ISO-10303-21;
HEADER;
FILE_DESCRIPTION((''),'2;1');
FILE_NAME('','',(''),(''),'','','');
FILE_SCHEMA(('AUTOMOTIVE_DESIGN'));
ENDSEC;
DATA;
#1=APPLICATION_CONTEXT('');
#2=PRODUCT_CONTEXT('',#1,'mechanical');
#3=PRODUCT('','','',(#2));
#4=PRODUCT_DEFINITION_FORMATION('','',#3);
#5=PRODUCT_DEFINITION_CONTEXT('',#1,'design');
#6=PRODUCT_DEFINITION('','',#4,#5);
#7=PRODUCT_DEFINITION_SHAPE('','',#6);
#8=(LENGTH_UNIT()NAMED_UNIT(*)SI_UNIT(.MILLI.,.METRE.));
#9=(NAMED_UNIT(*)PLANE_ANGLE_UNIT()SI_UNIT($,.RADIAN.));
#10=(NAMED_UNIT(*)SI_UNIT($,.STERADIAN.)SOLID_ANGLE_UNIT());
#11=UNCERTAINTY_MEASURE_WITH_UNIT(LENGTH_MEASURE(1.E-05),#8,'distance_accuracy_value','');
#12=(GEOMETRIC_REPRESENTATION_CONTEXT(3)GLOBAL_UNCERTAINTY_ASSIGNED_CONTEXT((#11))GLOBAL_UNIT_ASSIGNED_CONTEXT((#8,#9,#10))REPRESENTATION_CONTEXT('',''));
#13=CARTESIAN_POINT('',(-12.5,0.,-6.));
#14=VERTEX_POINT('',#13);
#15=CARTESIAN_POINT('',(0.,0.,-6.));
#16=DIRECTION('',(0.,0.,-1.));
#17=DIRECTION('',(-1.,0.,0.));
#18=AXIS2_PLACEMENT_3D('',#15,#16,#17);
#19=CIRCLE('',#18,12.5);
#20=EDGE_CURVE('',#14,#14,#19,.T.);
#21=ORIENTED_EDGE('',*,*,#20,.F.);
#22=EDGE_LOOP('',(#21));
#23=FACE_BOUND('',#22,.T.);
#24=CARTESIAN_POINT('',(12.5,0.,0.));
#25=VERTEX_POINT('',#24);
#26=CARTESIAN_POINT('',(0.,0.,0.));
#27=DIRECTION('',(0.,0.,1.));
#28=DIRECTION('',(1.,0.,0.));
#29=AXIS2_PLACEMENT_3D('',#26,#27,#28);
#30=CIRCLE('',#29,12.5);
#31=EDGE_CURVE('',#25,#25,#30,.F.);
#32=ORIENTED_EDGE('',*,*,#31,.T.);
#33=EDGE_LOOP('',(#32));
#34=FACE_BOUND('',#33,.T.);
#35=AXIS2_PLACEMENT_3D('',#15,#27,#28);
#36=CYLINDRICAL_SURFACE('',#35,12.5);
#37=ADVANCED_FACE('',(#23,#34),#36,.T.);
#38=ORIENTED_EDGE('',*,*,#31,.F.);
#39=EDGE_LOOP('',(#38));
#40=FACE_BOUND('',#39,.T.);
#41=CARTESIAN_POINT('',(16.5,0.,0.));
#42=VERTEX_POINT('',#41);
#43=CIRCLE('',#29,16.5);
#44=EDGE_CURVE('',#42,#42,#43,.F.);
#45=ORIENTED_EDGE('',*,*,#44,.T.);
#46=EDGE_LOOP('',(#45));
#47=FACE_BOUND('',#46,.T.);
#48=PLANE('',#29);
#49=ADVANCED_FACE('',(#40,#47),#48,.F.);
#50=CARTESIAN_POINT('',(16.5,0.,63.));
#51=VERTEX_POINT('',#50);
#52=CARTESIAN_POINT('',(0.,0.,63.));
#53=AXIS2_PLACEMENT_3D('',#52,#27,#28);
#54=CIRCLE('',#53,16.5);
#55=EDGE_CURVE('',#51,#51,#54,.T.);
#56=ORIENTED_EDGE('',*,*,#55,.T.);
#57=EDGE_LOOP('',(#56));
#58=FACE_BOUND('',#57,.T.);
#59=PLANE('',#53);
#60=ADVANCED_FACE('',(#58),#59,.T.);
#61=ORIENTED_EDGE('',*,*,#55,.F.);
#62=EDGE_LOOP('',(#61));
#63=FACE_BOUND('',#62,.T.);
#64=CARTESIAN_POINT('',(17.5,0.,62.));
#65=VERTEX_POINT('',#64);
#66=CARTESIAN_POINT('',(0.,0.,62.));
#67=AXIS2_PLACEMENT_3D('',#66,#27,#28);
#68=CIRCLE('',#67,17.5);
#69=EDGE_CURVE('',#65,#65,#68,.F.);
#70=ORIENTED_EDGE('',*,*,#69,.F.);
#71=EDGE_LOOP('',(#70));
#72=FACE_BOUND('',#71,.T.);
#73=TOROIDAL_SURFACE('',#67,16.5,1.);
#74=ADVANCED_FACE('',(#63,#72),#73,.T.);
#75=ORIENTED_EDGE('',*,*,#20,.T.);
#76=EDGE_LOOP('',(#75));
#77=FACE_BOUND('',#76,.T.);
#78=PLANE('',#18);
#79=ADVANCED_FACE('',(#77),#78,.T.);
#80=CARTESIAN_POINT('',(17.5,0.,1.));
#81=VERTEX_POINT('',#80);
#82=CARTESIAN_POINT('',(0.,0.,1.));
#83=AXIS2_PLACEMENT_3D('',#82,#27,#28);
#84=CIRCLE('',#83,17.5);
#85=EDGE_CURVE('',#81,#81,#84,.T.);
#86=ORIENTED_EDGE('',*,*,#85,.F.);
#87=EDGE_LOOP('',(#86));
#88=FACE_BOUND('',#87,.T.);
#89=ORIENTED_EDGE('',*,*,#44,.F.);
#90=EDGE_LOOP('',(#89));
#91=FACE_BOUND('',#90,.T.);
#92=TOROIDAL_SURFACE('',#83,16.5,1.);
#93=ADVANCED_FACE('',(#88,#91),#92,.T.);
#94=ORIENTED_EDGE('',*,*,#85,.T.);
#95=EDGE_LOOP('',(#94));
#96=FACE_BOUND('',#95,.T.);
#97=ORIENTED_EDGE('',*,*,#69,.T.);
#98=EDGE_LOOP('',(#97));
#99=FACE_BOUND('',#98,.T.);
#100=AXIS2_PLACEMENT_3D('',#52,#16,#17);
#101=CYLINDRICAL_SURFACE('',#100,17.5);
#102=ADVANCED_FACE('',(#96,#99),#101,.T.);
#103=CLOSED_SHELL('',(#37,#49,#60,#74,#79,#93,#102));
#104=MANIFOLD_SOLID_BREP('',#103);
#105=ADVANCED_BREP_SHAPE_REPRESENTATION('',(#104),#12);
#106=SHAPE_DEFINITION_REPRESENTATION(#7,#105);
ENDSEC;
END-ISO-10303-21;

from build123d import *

# Parameters (mm, degrees)
SKETCH1_R           = 17.5
BOSS_EXTRUDE1_DEPTH = 63
SKETCH2_R           = 12.5
BOSS_EXTRUDE2_DEPTH = 6
FILLET1_R           = 1


with BuildPart() as part:
    # Sketch1 → Boss-Extrude1 (new body)
    with BuildSketch(Plane.XY):
        Circle(SKETCH1_R)
    extrude(amount=BOSS_EXTRUDE1_DEPTH)

    # Sketch2 → Boss-Extrude2 (add)
    with BuildSketch(Plane(origin=(0, 0, 0), x_dir=(-1, 0, 0), z_dir=(0, 0, -1))):
        with Locations(Location((0, 0, 0), (0, 0, 180))):
            Circle(SKETCH2_R)
    extrude(amount=BOSS_EXTRUDE2_DEPTH)

    # Fillet1
    fillet1_edges = [part.edges().sort_by_distance(p)[0] for p in [
        (-17.5, 0, 0),
        (-17.5, 0, 63),
    ]]
    fillet(fillet1_edges, radius=FILLET1_R)


solid = part.part
